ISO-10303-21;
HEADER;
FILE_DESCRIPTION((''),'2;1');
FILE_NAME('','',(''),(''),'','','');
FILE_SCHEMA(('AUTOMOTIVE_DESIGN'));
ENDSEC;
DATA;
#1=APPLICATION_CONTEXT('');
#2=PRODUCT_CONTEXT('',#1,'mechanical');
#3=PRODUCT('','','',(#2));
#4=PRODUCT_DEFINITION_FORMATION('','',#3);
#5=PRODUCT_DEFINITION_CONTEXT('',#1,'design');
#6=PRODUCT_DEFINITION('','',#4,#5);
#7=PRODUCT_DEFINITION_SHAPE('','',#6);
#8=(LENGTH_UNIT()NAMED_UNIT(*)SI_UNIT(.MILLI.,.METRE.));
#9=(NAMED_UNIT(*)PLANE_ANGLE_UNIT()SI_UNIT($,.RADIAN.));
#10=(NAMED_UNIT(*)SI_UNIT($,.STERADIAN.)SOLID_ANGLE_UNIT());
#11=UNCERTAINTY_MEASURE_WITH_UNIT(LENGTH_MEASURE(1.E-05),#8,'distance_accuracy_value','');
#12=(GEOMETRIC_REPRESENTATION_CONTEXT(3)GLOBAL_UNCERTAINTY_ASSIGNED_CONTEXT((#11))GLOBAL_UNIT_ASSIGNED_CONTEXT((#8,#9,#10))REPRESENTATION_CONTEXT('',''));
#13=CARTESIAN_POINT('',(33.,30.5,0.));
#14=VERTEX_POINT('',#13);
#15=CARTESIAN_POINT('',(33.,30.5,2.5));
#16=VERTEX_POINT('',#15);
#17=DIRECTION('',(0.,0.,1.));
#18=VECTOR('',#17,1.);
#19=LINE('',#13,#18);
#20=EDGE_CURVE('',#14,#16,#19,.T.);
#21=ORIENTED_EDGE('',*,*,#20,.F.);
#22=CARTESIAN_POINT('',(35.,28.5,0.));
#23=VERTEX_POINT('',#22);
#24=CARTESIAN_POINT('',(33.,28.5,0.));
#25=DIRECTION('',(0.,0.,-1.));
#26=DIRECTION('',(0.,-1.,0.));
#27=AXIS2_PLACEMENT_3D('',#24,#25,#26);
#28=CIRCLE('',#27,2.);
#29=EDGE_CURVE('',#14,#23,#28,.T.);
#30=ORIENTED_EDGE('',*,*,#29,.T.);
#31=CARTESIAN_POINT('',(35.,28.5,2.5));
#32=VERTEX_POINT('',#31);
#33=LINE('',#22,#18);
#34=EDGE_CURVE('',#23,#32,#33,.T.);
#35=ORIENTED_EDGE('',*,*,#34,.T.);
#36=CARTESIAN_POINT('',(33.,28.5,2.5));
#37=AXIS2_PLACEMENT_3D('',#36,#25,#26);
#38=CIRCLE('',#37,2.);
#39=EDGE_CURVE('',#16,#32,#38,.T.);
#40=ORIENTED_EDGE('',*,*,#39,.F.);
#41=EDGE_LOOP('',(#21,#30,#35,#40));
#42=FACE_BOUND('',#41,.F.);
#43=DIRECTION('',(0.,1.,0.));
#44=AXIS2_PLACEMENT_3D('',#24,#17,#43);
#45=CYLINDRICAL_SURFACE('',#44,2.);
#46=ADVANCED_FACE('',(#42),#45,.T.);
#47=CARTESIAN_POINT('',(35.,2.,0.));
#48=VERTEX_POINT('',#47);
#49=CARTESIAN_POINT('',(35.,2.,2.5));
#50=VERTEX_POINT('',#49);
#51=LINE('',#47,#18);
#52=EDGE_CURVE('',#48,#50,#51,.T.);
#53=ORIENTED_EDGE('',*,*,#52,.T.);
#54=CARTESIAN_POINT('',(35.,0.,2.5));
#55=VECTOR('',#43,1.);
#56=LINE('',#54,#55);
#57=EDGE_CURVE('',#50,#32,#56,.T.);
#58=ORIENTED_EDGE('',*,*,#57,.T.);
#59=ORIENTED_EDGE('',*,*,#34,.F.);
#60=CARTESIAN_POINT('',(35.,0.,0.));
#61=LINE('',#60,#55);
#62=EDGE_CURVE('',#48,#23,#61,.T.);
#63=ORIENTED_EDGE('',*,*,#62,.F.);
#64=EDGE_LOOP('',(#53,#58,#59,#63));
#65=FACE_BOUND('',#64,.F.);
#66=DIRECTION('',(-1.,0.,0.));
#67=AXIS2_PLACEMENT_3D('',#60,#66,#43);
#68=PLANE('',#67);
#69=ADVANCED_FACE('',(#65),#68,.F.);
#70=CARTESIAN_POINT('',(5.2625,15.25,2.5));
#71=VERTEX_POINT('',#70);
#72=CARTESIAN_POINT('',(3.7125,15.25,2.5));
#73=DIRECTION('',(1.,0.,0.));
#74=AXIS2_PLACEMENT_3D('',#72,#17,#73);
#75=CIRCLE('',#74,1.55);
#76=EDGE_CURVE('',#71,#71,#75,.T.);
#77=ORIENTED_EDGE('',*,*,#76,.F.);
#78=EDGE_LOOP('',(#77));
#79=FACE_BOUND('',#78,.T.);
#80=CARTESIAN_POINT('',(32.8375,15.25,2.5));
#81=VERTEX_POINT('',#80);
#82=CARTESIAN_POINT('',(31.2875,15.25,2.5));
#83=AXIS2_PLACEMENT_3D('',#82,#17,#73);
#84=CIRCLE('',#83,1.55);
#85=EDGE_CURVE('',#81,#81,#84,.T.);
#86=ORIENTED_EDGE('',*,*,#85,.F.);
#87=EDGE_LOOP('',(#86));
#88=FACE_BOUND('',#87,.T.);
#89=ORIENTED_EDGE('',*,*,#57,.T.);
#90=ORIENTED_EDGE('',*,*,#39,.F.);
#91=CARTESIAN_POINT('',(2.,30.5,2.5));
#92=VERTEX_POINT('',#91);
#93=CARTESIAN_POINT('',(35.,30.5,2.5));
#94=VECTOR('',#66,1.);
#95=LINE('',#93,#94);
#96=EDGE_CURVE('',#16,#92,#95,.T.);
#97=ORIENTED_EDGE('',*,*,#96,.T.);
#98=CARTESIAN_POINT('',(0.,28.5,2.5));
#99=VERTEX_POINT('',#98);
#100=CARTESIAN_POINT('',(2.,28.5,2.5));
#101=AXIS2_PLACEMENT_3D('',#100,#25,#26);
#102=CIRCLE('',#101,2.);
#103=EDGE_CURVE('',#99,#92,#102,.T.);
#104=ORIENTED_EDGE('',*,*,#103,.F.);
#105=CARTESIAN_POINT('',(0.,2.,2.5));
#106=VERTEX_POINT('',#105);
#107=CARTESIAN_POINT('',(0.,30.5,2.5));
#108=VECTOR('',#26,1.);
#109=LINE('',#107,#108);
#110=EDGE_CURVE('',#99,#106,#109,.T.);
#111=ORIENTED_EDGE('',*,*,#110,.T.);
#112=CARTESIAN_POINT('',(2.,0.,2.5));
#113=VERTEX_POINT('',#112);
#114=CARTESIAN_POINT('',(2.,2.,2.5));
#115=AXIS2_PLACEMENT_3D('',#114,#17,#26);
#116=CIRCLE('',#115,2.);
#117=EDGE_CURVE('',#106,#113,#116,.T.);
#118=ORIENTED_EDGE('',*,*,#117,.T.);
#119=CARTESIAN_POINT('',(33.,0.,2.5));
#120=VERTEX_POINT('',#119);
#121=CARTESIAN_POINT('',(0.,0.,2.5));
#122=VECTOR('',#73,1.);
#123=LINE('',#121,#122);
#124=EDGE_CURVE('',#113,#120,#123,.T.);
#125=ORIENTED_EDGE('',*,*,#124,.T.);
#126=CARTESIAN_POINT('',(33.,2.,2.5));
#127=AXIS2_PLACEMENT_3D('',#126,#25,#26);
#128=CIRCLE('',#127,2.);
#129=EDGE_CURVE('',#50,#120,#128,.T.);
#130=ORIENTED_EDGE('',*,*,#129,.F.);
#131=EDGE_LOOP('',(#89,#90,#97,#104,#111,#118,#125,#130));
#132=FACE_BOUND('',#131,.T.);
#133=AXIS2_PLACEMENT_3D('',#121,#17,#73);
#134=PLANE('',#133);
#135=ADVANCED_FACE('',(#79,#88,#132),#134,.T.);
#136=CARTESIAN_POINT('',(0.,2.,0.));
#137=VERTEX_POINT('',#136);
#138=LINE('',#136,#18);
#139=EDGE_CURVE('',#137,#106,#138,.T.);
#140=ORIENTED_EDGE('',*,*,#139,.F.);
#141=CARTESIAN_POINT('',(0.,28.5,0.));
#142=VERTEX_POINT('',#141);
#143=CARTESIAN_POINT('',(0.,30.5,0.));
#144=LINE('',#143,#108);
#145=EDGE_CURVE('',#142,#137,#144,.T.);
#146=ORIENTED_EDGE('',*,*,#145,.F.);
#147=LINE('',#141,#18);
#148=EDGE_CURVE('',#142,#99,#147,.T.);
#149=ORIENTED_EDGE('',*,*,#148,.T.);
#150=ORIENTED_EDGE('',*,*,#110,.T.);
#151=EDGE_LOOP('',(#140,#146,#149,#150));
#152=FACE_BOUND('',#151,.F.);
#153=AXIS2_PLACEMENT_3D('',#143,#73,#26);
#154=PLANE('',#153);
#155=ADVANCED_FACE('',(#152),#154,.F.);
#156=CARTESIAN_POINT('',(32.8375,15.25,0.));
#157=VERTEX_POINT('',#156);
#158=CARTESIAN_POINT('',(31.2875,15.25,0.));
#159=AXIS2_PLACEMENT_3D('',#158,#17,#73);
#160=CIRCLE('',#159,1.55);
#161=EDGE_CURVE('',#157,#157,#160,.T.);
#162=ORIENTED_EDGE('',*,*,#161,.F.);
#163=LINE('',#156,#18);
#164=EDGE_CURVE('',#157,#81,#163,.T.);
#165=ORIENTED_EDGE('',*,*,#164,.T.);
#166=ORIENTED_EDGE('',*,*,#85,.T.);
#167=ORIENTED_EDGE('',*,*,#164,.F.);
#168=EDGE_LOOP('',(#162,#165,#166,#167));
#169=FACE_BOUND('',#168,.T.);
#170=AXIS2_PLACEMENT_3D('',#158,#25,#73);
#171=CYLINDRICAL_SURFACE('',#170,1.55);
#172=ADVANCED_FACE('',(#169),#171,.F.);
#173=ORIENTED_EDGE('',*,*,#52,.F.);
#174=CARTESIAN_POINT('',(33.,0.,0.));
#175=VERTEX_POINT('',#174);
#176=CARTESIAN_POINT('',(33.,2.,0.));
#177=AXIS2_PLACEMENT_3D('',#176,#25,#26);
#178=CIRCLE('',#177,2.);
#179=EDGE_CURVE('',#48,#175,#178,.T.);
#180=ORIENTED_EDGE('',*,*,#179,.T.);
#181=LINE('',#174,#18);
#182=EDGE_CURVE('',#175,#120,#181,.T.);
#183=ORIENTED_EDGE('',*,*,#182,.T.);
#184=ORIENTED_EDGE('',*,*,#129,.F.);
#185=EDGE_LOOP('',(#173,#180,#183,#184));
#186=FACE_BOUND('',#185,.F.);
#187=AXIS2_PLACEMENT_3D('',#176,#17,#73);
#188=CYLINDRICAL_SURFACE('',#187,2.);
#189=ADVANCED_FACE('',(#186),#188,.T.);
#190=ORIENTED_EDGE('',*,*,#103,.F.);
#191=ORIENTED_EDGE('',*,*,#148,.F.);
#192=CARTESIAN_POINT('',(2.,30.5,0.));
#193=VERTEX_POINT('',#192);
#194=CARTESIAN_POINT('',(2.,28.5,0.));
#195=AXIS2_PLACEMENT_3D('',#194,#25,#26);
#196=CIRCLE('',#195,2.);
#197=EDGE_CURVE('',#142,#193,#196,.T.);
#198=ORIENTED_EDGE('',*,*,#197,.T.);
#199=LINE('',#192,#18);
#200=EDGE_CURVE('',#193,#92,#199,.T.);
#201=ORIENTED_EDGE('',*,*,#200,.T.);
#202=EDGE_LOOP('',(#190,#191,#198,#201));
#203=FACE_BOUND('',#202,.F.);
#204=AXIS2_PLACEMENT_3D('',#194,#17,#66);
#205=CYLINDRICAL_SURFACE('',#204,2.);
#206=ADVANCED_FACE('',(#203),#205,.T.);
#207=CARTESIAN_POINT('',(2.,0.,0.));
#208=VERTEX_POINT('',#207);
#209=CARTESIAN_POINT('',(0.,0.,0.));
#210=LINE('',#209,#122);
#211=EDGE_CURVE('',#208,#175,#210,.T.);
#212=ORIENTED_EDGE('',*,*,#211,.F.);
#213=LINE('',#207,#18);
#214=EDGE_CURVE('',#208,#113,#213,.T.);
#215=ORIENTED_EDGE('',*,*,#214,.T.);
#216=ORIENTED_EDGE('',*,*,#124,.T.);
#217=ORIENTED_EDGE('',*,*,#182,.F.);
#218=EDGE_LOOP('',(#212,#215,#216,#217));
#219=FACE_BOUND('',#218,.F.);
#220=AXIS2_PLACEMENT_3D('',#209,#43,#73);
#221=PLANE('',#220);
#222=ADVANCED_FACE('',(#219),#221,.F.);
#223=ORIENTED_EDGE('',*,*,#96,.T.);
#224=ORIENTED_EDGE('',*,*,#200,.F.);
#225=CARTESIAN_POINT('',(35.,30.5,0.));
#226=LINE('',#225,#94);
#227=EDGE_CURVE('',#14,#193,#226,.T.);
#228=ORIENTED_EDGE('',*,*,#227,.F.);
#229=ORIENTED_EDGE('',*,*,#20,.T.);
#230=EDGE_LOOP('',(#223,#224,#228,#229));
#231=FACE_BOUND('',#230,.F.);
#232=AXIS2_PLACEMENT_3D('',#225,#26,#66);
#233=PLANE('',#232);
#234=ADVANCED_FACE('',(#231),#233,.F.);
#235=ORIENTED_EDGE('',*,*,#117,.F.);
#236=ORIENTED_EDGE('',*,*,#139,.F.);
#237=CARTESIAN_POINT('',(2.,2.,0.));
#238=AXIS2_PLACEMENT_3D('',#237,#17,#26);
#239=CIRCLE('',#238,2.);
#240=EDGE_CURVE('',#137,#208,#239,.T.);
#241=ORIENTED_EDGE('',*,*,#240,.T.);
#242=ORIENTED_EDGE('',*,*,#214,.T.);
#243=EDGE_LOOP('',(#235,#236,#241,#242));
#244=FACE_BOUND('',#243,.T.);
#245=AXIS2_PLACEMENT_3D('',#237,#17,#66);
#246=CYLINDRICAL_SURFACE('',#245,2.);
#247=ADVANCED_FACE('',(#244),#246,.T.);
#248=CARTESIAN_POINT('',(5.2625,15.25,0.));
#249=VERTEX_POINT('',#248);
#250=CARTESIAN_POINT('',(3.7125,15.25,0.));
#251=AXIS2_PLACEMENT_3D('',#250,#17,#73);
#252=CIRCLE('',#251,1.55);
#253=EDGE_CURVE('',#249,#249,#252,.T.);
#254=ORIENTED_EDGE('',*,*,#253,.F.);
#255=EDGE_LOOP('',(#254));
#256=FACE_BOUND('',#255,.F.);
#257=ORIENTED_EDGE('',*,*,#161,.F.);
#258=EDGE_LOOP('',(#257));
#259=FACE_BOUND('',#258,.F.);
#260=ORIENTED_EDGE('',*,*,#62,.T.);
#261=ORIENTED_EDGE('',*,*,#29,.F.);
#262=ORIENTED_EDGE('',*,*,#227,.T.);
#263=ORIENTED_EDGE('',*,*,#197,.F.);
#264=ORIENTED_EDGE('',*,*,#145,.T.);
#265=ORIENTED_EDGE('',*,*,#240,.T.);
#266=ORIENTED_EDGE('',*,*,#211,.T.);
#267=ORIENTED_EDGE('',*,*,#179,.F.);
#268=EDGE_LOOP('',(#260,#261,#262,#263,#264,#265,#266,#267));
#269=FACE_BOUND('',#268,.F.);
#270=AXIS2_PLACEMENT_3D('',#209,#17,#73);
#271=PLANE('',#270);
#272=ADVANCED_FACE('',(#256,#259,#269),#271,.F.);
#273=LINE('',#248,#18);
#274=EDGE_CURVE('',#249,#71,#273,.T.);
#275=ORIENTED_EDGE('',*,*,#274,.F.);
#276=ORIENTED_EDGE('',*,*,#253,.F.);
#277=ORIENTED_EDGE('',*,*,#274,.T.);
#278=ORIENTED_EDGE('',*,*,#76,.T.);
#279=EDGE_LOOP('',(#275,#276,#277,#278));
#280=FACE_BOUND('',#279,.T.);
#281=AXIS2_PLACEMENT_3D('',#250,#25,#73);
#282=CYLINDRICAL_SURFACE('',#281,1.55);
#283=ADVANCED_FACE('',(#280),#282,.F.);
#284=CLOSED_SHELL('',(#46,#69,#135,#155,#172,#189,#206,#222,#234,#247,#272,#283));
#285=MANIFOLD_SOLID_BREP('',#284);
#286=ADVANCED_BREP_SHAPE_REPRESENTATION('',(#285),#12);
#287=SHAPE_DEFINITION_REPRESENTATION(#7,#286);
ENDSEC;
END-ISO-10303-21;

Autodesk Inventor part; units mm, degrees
ref_plane "YZ Plane" through (0, 0, 0) normal (1, 0, 0) x (0, 1, 0)
ref_plane "XZ Plane" through (0, 0, 0) normal (0, 1, 0) x (-1, 0, 0)
ref_plane "XY Plane" through (0, 0, 0) normal (0, 0, 1) x (1, 0, 0)
sketch "Sketch1" plane through (0, 0, 0) normal (0, 0, 1) x (1, 0, 0)
  line L0 (0, 0) -> (35, 0)
  line L1 (35, 0) -> (35, 30.5)
  line L2 (35, 30.5) -> (0, 30.5)
  line L3 (0, 30.5) -> (0, 0)
  circle A0 centre (31.2875, 15.25) radius 1.55
  circle A1 centre (3.7125, 15.25) radius 1.55
  point P0 (35, 15.25)
  dimension "d0" = 35
  dimension "d1" = 30.5
  dimension "d2" = 3.7125
  dimension "d3" = 3.7125
  dimension "d4" = 3.1
  dimension "d5" = 3.1
extrude "Extrusion1" add sketch "Sketch1" along normal blind 2.5
fillet "Fillet1" radius 2 4 edges at (35, 30.5, 1.25) (0, 30.5, 1.25) (0, 0, 1.25) (35, 0, 1.25)
properties part number "BottomMountTop"
